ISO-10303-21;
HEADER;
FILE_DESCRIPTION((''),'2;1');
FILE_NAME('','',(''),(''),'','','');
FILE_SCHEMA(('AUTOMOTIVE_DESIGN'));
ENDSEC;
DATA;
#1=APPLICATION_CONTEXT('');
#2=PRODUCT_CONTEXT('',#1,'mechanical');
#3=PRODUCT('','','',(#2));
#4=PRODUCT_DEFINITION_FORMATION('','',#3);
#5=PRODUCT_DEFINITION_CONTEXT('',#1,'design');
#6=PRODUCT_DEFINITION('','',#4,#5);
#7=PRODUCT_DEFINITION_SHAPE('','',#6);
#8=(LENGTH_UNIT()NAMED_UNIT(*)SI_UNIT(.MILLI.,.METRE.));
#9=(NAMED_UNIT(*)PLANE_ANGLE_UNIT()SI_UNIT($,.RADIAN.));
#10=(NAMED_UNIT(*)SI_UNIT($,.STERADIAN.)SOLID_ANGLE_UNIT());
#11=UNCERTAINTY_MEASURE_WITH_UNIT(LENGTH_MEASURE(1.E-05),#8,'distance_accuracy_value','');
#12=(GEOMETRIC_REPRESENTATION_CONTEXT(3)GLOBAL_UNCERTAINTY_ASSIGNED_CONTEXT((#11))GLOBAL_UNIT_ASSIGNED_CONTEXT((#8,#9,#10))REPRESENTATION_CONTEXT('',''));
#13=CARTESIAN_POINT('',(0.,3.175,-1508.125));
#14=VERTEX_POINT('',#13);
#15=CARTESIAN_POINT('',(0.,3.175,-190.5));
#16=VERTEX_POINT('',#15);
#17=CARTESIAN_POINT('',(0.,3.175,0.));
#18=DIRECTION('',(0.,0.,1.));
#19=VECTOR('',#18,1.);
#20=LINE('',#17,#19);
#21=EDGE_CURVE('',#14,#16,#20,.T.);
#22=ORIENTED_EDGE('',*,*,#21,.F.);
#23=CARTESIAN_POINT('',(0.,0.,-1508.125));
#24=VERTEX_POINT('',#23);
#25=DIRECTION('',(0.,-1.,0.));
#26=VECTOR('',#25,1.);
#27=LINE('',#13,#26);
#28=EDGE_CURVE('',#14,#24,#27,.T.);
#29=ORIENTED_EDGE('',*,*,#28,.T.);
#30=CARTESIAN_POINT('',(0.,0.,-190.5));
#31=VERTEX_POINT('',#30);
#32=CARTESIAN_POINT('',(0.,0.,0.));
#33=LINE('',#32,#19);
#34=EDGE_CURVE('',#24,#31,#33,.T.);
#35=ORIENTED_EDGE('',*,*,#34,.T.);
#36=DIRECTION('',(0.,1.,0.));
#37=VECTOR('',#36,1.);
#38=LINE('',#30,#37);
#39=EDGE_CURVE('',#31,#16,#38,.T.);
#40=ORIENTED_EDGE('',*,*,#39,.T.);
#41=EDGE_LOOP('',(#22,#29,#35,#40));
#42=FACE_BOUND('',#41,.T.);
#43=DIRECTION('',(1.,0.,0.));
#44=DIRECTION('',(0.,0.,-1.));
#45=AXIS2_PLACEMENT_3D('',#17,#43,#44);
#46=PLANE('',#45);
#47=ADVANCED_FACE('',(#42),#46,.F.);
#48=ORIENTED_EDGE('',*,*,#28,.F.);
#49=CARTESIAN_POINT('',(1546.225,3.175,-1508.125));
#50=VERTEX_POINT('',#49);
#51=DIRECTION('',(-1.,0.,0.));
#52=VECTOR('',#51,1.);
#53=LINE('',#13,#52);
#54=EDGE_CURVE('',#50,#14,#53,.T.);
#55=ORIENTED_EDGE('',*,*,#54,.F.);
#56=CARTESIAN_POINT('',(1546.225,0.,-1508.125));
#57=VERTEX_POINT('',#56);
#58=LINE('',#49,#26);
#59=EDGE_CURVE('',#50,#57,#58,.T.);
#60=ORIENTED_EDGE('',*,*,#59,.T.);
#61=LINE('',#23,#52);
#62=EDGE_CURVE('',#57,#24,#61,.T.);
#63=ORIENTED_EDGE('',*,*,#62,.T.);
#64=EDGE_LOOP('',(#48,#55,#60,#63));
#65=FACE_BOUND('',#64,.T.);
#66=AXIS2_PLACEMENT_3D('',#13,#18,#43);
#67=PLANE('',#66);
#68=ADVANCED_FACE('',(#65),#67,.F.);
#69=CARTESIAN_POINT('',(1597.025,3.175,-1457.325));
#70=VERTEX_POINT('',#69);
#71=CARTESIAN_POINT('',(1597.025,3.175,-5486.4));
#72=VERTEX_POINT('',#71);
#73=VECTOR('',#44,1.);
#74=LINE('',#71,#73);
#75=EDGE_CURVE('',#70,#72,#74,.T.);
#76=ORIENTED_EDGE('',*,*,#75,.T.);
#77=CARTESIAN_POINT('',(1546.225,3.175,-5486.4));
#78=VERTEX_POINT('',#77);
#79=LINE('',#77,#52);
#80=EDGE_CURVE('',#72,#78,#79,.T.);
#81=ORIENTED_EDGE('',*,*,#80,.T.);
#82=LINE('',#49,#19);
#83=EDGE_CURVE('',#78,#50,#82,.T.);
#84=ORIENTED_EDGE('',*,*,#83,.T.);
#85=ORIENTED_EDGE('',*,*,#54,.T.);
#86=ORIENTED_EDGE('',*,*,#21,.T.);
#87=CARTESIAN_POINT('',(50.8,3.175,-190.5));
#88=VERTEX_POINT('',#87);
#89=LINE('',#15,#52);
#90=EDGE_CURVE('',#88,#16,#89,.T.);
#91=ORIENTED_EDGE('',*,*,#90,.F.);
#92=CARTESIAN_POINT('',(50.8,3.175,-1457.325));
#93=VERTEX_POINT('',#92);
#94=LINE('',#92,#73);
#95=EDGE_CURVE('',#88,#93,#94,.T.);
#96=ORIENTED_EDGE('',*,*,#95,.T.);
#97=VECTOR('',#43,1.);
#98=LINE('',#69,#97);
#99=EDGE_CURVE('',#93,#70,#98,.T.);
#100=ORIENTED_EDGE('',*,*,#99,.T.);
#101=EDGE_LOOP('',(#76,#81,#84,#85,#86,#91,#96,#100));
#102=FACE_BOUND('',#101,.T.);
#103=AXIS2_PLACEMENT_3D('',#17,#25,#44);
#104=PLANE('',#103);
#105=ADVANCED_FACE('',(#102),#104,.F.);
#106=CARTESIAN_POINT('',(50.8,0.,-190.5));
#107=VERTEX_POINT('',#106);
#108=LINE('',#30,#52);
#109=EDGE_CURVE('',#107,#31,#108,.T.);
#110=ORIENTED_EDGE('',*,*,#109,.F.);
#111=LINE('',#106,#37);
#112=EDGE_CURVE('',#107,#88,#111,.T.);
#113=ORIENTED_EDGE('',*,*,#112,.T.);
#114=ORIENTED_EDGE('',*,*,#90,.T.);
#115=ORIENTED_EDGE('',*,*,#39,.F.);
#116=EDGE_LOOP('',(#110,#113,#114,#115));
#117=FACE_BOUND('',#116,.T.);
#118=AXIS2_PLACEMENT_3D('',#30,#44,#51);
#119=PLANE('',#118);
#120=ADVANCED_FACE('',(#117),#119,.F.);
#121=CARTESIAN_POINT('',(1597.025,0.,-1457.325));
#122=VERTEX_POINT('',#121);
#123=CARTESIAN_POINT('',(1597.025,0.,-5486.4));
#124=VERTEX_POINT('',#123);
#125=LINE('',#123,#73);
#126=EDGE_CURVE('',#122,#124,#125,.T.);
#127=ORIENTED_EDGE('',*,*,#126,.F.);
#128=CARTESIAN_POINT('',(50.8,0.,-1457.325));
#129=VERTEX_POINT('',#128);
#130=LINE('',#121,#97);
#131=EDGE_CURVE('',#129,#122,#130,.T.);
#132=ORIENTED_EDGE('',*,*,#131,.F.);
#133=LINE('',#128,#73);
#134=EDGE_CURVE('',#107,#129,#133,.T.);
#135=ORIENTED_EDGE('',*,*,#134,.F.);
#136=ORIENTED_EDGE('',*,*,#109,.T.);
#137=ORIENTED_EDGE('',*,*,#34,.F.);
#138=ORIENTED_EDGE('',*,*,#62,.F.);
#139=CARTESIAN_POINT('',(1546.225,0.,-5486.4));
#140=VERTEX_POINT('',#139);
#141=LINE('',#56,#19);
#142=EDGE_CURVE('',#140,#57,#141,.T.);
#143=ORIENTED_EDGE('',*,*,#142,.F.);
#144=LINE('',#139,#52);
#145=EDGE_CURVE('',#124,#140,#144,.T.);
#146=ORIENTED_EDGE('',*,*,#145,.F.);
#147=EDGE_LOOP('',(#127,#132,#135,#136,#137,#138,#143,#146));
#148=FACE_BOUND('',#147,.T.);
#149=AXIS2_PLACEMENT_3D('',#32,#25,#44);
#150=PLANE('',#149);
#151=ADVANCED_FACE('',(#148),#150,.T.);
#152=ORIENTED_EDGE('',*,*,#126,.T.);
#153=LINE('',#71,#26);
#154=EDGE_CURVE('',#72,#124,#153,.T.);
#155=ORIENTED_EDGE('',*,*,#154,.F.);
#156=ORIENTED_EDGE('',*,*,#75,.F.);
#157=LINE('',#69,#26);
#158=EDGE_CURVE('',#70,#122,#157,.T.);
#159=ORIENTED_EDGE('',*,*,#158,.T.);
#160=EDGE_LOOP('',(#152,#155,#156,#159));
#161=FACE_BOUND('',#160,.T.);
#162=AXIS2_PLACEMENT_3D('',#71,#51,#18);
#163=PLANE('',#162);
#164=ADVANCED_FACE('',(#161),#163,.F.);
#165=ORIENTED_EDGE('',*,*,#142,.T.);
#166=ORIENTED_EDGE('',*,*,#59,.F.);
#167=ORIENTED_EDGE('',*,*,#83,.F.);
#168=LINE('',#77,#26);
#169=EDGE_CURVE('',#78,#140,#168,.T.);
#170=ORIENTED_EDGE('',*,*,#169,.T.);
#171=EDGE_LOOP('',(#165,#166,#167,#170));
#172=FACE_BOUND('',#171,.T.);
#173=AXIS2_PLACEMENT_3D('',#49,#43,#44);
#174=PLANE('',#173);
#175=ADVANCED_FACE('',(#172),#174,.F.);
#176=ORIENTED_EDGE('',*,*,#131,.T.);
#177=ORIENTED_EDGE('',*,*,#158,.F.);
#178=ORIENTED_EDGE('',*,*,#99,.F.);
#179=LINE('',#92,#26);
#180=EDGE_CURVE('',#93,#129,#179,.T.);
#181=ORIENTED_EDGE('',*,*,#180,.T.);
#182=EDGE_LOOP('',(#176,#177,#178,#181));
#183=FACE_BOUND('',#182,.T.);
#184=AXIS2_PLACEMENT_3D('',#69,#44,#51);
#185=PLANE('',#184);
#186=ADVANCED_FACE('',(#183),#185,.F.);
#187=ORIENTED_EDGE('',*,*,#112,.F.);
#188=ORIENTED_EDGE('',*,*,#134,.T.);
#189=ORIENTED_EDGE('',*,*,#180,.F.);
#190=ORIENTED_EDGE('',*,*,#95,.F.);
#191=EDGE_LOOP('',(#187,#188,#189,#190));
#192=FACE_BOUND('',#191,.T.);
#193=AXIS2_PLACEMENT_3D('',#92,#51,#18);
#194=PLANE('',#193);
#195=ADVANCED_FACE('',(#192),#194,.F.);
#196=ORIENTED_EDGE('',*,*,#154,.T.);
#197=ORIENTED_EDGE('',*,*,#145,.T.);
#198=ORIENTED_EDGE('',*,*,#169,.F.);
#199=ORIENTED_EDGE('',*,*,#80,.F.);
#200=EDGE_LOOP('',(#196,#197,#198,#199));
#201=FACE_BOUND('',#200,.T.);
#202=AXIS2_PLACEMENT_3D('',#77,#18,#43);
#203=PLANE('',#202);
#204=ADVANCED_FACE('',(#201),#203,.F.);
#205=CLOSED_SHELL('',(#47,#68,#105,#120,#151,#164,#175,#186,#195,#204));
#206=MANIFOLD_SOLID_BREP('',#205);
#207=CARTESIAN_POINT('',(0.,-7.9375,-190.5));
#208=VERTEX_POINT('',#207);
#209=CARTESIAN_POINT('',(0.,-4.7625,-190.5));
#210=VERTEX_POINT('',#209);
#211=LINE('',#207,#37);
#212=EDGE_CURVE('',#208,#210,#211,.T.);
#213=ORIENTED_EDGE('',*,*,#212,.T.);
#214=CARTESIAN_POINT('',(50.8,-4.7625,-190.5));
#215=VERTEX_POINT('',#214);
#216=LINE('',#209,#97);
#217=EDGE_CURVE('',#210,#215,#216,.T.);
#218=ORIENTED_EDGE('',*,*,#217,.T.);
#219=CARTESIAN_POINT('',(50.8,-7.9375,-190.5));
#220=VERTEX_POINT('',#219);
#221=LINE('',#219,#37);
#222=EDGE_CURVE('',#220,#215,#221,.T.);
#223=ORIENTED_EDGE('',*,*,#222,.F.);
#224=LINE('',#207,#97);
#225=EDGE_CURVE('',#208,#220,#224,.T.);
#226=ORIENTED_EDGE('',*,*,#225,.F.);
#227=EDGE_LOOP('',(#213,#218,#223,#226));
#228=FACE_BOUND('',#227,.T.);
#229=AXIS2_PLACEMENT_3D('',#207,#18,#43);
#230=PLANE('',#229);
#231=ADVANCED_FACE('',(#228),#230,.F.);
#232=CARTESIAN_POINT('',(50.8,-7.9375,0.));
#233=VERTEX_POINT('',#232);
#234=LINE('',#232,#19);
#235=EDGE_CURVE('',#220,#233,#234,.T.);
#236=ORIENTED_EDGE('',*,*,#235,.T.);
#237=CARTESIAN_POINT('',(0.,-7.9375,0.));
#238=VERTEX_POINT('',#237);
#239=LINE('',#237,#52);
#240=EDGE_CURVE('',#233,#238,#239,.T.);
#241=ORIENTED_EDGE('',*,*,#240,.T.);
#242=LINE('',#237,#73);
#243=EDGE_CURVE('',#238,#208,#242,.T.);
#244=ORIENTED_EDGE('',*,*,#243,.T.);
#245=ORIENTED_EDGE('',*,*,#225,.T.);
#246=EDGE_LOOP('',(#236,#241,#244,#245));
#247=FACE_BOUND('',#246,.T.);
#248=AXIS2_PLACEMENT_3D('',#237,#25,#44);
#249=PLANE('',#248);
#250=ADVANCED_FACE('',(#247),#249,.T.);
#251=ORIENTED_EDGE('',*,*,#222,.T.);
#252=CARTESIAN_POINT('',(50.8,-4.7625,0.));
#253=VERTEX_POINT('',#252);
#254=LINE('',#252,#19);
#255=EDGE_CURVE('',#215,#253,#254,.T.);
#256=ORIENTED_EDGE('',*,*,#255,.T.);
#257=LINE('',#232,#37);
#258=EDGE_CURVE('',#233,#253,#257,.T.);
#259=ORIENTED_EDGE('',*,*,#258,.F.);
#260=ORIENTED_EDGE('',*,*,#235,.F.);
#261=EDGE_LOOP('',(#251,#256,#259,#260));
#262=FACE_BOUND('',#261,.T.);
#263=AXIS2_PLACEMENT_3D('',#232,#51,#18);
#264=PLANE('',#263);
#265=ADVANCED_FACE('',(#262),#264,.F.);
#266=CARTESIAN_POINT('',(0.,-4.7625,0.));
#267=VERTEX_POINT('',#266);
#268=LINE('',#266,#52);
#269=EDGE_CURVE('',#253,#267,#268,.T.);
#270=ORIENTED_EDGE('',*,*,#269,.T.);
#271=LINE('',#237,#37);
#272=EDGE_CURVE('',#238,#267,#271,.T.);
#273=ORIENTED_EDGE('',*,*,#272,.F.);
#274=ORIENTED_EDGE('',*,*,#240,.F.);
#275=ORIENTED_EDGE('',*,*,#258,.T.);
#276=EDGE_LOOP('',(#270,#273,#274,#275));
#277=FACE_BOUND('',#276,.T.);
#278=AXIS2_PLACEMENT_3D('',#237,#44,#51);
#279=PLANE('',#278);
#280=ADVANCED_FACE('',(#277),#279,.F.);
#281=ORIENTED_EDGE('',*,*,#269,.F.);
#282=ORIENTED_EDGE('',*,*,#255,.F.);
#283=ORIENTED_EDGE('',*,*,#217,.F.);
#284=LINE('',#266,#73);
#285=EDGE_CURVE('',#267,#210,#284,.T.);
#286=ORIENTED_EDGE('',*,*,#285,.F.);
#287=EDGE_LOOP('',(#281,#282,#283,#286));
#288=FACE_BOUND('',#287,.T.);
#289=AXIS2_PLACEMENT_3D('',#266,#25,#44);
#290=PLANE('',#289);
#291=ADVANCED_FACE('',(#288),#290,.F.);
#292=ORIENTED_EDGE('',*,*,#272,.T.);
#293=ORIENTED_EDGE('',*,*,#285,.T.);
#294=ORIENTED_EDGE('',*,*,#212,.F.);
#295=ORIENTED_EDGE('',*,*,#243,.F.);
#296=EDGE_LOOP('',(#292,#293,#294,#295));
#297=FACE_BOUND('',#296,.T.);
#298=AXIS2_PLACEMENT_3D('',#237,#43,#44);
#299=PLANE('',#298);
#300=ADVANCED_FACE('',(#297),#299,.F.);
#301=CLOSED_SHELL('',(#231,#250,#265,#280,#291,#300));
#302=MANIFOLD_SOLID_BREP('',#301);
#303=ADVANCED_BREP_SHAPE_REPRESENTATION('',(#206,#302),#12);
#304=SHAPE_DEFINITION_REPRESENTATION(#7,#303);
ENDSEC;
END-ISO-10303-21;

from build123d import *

# Parameters (mm, degrees)
BOSS_EXTRUDE1_DEPTH = 3.175
SKETCH2_W           = 50.8
SKETCH2_H           = 190.5
CUT_EXTRUDE1_DEPTH  = 5715.112695008
SKETCH4_W           = 50.8
SKETCH4_H           = 190.5
BOSS_EXTRUDE3_DEPTH = 3.175


with BuildPart() as part:
    # Sketch1 → Boss-Extrude1 (new body)
    with BuildSketch(Plane(origin=(0, 0, 0), x_dir=(1, 0, 0), z_dir=(0, 1, 0))):
        Polygon((0, 0), (0, 1508.125), (1546.225, 1508.125), (1546.225, 5486.4), (1597.025, 5486.4), (1597.025, 1457.325), (50.8, 1457.325), (50.8, 0), align=None)
    extrude(amount=BOSS_EXTRUDE1_DEPTH)

    # Sketch2 → Cut-Extrude1 (cut, through all)
    with BuildSketch(Plane(origin=(0, 3.175, 0), x_dir=(1, 0, 0), z_dir=(0, 1, 0))):
        with Locations((25.4, 95.25)):
            Rectangle(SKETCH2_W, SKETCH2_H)
    extrude(amount=-CUT_EXTRUDE1_DEPTH, mode=Mode.SUBTRACT)


with BuildPart() as body_2:
    # Sketch4 → Boss-Extrude3 (new body)
    with BuildSketch(Plane(origin=(0, -4.7625, 0), x_dir=(-1, 0, 0), z_dir=(0, -1, 0))):
        with Locations((-25.4, 95.25)):
            Rectangle(SKETCH4_W, SKETCH4_H)
    extrude(amount=BOSS_EXTRUDE3_DEPTH)


solid = Compound([part.part, body_2.part])
